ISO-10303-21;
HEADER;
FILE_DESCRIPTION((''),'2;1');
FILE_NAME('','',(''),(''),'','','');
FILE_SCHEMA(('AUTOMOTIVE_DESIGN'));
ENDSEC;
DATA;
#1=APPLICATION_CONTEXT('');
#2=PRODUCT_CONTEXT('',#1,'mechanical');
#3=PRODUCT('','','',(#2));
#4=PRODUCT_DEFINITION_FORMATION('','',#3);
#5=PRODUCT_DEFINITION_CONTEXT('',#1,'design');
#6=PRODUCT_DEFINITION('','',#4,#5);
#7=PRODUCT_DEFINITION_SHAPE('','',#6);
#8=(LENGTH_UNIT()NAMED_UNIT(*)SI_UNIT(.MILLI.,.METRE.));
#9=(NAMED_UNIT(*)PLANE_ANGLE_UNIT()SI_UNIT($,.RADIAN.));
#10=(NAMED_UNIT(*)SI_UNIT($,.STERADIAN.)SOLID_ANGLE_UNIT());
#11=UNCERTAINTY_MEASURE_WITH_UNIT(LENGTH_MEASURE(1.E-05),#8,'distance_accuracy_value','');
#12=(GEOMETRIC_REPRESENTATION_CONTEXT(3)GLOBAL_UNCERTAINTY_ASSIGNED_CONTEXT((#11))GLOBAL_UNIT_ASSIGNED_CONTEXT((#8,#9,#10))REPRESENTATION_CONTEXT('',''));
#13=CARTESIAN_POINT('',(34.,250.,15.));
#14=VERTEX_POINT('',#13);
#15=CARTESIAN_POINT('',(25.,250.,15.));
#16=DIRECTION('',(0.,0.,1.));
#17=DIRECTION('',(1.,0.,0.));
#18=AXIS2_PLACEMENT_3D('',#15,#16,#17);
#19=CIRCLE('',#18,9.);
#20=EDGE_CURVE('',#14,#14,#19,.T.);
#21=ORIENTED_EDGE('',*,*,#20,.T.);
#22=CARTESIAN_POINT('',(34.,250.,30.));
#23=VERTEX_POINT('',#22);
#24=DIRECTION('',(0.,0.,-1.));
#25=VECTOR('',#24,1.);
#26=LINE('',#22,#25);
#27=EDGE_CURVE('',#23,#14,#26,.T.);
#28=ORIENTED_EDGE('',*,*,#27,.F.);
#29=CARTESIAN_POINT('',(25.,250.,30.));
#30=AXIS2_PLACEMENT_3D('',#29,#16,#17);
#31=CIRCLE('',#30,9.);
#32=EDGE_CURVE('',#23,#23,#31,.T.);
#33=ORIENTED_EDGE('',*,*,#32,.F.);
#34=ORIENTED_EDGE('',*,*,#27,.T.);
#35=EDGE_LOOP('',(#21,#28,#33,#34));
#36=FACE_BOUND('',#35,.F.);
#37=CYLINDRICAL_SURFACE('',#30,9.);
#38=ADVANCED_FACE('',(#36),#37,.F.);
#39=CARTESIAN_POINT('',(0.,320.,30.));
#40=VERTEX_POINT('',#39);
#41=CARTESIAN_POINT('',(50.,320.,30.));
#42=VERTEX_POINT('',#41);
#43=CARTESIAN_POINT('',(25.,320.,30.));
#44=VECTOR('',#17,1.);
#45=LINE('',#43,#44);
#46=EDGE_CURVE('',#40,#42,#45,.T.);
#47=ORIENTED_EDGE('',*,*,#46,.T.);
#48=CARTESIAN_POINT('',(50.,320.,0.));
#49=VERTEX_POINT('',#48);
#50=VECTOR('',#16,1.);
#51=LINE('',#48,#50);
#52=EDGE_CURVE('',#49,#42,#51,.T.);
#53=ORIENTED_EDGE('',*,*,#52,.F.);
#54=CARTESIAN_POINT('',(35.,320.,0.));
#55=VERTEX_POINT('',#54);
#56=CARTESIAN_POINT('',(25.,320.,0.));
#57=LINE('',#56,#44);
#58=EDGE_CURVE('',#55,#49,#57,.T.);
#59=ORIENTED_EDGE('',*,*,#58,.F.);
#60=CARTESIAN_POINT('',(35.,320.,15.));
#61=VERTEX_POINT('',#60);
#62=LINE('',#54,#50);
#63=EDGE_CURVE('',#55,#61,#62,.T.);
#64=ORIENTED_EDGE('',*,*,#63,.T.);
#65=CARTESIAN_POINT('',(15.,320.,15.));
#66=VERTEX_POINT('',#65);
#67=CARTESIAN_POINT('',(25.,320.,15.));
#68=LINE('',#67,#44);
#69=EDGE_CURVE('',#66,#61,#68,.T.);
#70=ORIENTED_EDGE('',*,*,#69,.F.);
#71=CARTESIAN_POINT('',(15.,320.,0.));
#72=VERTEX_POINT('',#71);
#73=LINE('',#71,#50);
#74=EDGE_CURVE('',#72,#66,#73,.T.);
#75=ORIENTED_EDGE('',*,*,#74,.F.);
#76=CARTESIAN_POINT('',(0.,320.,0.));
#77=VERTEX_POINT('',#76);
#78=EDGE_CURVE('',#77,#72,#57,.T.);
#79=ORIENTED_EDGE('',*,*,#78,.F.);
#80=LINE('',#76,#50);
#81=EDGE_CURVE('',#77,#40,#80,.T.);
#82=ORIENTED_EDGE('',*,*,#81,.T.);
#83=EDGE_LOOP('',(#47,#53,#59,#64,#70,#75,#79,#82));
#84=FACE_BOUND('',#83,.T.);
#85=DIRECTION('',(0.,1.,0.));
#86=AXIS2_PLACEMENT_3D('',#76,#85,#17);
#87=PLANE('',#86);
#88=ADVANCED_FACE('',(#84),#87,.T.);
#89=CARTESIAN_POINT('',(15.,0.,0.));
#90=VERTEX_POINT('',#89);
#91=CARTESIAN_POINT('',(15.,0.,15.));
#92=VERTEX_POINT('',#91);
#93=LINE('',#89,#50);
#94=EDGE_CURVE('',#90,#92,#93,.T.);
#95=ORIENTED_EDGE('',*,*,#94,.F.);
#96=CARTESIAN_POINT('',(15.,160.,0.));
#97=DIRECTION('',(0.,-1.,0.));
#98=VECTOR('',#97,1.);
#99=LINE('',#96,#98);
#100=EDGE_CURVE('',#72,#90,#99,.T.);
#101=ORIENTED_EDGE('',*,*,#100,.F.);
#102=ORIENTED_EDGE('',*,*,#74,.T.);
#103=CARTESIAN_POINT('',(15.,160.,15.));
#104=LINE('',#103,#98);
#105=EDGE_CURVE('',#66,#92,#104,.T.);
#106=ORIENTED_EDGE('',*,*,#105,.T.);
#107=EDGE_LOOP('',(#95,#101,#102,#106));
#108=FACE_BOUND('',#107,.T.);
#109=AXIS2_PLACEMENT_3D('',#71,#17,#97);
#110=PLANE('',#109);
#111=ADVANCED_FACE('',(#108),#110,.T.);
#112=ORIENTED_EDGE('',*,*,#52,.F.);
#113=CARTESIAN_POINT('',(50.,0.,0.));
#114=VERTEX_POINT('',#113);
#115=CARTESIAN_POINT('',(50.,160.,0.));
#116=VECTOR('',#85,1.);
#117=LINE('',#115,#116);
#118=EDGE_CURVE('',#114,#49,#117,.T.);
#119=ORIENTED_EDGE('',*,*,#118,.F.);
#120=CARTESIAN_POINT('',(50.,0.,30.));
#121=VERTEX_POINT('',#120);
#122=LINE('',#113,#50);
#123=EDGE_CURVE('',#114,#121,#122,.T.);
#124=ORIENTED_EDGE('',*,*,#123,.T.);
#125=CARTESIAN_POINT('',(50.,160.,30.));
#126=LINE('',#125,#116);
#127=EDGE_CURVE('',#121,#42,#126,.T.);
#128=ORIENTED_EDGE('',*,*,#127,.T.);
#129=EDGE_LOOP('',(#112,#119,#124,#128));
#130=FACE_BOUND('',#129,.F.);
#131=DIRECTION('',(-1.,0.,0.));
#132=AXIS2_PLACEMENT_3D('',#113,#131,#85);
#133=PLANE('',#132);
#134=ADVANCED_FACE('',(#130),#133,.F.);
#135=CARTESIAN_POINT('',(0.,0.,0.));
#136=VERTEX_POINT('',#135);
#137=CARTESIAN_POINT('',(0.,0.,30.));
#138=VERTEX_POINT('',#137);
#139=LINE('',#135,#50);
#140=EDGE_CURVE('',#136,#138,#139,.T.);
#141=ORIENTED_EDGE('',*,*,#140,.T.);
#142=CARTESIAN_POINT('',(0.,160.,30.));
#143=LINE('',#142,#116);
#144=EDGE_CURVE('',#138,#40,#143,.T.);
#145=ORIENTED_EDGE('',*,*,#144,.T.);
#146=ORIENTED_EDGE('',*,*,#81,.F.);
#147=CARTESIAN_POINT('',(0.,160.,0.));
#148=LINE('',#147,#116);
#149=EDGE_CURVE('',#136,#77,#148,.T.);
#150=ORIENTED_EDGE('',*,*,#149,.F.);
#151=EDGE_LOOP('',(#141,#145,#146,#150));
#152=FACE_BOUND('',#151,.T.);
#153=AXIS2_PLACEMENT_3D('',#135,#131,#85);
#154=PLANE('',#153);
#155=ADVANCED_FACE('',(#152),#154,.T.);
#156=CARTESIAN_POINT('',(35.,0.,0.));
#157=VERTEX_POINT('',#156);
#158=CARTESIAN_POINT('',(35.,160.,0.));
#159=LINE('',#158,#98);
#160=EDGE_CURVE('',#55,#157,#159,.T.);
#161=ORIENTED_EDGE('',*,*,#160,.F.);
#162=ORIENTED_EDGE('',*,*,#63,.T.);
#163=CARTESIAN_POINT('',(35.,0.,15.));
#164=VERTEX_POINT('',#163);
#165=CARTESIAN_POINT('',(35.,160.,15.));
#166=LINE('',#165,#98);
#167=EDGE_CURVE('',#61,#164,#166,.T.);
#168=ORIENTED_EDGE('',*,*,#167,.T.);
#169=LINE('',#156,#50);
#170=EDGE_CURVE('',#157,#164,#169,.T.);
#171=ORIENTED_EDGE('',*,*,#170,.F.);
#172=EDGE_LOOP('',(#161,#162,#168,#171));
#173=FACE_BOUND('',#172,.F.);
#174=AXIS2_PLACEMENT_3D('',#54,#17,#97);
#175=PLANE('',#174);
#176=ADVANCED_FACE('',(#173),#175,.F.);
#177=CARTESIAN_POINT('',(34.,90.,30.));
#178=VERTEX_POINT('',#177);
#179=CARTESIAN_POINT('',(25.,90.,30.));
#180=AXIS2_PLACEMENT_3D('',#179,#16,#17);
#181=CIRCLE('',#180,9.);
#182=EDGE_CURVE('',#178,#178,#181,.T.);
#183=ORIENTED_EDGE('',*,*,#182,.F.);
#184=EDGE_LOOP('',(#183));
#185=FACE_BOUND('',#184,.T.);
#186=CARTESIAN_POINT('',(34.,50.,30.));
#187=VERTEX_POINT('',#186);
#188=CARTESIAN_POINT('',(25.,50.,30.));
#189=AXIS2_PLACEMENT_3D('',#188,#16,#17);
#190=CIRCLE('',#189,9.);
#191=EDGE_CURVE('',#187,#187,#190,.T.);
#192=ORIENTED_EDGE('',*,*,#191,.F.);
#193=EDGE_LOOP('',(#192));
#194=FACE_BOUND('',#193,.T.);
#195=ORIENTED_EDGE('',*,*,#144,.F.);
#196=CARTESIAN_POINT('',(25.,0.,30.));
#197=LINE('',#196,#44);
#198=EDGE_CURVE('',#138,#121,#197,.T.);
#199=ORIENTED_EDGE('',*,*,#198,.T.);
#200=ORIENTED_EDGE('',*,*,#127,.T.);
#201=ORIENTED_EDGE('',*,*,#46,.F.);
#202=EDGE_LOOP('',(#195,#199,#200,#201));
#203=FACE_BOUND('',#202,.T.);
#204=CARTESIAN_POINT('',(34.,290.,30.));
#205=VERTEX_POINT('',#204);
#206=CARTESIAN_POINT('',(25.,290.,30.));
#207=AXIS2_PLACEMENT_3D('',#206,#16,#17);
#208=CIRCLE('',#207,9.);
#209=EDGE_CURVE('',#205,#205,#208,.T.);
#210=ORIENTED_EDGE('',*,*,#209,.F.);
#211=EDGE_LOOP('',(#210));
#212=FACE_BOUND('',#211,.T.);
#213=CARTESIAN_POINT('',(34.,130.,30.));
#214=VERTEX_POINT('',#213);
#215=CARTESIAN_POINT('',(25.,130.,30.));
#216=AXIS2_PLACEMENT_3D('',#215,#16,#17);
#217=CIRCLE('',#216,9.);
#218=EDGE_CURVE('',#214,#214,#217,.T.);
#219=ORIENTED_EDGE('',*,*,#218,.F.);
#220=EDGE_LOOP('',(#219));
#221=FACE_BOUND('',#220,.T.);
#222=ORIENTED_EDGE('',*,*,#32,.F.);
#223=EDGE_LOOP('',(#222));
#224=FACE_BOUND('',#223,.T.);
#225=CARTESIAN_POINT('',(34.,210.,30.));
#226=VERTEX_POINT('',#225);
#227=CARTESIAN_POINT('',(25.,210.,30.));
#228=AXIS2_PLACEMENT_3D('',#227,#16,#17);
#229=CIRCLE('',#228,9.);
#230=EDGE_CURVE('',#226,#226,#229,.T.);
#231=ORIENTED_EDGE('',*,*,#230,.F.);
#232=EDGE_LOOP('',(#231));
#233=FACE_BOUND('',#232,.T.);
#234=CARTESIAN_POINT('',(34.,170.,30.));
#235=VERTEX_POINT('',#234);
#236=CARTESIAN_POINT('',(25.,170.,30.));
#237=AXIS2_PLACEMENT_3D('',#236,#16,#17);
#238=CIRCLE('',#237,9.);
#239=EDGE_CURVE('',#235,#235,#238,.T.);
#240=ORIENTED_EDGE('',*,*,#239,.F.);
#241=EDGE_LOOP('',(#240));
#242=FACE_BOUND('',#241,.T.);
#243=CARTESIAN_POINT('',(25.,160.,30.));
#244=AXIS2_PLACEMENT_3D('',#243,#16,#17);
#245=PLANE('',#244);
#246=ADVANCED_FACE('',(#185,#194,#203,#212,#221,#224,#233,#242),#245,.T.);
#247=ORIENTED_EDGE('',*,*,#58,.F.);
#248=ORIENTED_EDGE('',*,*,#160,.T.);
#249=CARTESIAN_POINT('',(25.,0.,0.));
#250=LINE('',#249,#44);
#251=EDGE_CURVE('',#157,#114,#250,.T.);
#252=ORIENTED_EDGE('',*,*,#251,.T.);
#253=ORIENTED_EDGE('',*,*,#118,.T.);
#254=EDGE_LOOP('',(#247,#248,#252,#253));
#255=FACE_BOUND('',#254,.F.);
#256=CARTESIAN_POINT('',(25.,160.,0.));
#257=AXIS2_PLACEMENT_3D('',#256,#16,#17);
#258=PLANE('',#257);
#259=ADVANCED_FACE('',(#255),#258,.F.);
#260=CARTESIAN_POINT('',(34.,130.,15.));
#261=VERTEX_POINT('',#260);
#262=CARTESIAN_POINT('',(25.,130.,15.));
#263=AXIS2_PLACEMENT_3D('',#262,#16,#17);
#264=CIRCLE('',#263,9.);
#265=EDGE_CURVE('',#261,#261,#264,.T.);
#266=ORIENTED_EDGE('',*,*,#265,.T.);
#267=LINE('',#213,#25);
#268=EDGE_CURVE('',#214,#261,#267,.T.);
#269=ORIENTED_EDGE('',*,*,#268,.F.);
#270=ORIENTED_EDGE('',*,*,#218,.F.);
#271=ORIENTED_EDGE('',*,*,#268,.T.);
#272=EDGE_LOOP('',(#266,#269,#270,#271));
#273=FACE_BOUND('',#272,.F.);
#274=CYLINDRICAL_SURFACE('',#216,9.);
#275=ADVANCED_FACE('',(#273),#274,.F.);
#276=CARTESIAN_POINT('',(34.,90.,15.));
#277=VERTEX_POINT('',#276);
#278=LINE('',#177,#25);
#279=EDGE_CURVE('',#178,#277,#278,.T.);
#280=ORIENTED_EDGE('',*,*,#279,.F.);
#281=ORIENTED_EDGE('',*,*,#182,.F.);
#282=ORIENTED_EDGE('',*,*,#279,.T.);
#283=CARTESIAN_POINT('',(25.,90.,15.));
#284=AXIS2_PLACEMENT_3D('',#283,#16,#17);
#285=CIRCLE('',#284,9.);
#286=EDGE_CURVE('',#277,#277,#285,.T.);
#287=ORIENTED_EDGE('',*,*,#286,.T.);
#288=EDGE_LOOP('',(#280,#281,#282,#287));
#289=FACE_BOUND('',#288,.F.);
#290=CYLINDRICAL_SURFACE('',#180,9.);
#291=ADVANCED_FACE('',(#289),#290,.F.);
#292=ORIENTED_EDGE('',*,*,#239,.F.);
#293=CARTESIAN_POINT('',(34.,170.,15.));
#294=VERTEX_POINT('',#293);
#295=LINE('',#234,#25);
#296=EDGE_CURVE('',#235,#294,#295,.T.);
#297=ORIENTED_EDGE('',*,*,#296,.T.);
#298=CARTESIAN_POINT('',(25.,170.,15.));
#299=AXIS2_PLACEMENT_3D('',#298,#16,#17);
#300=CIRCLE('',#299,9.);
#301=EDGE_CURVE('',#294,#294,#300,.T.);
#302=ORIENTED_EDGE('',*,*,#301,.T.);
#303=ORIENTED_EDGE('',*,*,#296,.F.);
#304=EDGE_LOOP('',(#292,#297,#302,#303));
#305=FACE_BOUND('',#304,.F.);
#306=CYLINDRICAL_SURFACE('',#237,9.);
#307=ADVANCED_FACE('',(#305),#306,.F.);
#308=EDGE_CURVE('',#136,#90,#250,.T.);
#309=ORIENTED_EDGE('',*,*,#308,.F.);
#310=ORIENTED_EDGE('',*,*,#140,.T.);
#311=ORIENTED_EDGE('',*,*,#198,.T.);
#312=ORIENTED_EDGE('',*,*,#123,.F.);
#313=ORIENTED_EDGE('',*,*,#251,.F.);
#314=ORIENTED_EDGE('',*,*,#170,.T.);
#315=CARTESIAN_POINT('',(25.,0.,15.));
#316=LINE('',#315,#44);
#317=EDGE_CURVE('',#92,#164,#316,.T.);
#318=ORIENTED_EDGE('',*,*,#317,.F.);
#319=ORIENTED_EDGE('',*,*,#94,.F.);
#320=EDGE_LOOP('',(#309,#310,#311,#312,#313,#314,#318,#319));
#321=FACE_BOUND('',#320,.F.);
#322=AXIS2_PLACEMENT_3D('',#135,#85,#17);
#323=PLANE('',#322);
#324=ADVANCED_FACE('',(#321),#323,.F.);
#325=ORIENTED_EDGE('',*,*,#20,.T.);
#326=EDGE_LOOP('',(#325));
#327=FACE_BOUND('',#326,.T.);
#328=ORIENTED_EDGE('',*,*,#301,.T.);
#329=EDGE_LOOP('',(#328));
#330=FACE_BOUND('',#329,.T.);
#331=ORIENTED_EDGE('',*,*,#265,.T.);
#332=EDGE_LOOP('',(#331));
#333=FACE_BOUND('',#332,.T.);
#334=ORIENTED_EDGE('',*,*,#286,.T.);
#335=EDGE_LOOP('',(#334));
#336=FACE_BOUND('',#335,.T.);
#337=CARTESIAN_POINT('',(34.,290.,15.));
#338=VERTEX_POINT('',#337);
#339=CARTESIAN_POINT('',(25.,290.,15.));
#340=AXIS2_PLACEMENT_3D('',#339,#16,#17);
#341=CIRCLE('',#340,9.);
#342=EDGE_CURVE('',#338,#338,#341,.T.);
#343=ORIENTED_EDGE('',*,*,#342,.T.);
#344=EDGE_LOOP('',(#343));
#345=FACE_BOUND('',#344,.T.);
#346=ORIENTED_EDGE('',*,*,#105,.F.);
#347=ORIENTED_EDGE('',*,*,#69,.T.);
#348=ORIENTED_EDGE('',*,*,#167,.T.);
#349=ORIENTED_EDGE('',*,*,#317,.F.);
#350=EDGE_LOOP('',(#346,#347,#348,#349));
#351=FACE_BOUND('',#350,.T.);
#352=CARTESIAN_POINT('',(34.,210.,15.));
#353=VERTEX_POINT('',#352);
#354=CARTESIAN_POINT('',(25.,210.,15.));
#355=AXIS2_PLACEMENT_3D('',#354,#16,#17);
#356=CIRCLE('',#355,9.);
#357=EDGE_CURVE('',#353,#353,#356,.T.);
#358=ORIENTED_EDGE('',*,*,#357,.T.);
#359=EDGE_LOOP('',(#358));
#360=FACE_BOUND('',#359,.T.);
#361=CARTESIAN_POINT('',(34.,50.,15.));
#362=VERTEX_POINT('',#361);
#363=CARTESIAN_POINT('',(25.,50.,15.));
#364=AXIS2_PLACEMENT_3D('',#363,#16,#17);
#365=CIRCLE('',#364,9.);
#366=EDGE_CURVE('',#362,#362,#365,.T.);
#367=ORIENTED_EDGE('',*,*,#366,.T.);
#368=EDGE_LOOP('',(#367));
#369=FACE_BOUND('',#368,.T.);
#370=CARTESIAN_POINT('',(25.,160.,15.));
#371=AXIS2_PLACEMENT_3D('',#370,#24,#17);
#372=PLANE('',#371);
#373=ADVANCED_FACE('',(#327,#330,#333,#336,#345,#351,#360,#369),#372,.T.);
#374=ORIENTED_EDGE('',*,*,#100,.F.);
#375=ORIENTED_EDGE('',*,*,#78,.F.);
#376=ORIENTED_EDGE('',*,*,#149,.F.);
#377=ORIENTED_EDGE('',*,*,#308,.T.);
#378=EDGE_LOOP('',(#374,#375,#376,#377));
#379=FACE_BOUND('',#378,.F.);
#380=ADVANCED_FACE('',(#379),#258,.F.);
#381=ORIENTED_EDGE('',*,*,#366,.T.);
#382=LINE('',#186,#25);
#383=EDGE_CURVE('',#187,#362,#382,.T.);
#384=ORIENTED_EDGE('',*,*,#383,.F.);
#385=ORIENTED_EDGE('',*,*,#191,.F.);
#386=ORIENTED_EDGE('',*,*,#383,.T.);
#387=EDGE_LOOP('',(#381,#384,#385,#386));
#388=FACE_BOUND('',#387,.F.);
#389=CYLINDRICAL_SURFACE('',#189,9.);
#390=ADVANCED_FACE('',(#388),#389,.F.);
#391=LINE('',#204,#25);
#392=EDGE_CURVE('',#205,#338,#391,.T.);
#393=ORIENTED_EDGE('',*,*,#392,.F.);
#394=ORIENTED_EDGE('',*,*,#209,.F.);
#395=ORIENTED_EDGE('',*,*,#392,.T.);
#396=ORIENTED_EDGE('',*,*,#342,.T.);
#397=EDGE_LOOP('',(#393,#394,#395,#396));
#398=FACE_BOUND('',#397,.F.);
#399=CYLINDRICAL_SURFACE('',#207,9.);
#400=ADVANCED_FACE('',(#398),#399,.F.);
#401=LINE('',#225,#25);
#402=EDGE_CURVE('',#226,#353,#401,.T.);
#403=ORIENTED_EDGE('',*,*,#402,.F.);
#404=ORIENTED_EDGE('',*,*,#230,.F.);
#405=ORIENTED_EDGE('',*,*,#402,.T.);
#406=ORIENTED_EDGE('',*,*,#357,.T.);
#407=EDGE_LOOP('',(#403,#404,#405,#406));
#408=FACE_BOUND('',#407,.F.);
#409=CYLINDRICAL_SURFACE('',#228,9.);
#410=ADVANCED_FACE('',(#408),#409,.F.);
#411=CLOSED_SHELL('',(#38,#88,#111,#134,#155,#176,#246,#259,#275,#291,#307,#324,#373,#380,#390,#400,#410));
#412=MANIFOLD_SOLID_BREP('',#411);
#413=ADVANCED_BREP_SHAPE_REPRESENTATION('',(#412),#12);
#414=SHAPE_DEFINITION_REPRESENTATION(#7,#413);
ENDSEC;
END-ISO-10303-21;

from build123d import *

# Parameters (mm, degrees)
F0_W     = 50
F0_H     = 320
F1_DEPTH = 30
F2_W     = 20
F2_H     = 320
F3_DEPTH = 15
F4_R     = 9
F5_DEPTH = 30.001


with BuildPart() as f1:
    # F0 (on Top) → F1 (new body)
    with BuildSketch(Plane.XY):
        with Locations((25, 160)):
            Rectangle(F0_W, F0_H)
    extrude(amount=F1_DEPTH)

    # F2 (on face) → F3 (cut)
    with BuildSketch(Plane(origin=(0, 0, 0), x_dir=(1, 0, 0), z_dir=(0, 0, -1))):
        with Locations((25, -160)):
            Rectangle(F2_W, F2_H)
    extrude(amount=-F3_DEPTH, mode=Mode.SUBTRACT)

    # F4 (on face) → F5 (cut, through all)
    with BuildSketch(Plane.XY.offset(30)):
        with Locations((25, 50)):
            Circle(F4_R)
        with Locations((25, 90)):
            Circle(F4_R)
        with Locations((25, 130)):
            Circle(F4_R)
        with Locations((25, 170)):
            Circle(F4_R)
        with Locations((25, 210)):
            Circle(F4_R)
        with Locations((25, 250)):
            Circle(F4_R)
        with Locations((25, 290)):
            Circle(F4_R)
    extrude(amount=-F5_DEPTH, mode=Mode.SUBTRACT)


solid = f1.part
